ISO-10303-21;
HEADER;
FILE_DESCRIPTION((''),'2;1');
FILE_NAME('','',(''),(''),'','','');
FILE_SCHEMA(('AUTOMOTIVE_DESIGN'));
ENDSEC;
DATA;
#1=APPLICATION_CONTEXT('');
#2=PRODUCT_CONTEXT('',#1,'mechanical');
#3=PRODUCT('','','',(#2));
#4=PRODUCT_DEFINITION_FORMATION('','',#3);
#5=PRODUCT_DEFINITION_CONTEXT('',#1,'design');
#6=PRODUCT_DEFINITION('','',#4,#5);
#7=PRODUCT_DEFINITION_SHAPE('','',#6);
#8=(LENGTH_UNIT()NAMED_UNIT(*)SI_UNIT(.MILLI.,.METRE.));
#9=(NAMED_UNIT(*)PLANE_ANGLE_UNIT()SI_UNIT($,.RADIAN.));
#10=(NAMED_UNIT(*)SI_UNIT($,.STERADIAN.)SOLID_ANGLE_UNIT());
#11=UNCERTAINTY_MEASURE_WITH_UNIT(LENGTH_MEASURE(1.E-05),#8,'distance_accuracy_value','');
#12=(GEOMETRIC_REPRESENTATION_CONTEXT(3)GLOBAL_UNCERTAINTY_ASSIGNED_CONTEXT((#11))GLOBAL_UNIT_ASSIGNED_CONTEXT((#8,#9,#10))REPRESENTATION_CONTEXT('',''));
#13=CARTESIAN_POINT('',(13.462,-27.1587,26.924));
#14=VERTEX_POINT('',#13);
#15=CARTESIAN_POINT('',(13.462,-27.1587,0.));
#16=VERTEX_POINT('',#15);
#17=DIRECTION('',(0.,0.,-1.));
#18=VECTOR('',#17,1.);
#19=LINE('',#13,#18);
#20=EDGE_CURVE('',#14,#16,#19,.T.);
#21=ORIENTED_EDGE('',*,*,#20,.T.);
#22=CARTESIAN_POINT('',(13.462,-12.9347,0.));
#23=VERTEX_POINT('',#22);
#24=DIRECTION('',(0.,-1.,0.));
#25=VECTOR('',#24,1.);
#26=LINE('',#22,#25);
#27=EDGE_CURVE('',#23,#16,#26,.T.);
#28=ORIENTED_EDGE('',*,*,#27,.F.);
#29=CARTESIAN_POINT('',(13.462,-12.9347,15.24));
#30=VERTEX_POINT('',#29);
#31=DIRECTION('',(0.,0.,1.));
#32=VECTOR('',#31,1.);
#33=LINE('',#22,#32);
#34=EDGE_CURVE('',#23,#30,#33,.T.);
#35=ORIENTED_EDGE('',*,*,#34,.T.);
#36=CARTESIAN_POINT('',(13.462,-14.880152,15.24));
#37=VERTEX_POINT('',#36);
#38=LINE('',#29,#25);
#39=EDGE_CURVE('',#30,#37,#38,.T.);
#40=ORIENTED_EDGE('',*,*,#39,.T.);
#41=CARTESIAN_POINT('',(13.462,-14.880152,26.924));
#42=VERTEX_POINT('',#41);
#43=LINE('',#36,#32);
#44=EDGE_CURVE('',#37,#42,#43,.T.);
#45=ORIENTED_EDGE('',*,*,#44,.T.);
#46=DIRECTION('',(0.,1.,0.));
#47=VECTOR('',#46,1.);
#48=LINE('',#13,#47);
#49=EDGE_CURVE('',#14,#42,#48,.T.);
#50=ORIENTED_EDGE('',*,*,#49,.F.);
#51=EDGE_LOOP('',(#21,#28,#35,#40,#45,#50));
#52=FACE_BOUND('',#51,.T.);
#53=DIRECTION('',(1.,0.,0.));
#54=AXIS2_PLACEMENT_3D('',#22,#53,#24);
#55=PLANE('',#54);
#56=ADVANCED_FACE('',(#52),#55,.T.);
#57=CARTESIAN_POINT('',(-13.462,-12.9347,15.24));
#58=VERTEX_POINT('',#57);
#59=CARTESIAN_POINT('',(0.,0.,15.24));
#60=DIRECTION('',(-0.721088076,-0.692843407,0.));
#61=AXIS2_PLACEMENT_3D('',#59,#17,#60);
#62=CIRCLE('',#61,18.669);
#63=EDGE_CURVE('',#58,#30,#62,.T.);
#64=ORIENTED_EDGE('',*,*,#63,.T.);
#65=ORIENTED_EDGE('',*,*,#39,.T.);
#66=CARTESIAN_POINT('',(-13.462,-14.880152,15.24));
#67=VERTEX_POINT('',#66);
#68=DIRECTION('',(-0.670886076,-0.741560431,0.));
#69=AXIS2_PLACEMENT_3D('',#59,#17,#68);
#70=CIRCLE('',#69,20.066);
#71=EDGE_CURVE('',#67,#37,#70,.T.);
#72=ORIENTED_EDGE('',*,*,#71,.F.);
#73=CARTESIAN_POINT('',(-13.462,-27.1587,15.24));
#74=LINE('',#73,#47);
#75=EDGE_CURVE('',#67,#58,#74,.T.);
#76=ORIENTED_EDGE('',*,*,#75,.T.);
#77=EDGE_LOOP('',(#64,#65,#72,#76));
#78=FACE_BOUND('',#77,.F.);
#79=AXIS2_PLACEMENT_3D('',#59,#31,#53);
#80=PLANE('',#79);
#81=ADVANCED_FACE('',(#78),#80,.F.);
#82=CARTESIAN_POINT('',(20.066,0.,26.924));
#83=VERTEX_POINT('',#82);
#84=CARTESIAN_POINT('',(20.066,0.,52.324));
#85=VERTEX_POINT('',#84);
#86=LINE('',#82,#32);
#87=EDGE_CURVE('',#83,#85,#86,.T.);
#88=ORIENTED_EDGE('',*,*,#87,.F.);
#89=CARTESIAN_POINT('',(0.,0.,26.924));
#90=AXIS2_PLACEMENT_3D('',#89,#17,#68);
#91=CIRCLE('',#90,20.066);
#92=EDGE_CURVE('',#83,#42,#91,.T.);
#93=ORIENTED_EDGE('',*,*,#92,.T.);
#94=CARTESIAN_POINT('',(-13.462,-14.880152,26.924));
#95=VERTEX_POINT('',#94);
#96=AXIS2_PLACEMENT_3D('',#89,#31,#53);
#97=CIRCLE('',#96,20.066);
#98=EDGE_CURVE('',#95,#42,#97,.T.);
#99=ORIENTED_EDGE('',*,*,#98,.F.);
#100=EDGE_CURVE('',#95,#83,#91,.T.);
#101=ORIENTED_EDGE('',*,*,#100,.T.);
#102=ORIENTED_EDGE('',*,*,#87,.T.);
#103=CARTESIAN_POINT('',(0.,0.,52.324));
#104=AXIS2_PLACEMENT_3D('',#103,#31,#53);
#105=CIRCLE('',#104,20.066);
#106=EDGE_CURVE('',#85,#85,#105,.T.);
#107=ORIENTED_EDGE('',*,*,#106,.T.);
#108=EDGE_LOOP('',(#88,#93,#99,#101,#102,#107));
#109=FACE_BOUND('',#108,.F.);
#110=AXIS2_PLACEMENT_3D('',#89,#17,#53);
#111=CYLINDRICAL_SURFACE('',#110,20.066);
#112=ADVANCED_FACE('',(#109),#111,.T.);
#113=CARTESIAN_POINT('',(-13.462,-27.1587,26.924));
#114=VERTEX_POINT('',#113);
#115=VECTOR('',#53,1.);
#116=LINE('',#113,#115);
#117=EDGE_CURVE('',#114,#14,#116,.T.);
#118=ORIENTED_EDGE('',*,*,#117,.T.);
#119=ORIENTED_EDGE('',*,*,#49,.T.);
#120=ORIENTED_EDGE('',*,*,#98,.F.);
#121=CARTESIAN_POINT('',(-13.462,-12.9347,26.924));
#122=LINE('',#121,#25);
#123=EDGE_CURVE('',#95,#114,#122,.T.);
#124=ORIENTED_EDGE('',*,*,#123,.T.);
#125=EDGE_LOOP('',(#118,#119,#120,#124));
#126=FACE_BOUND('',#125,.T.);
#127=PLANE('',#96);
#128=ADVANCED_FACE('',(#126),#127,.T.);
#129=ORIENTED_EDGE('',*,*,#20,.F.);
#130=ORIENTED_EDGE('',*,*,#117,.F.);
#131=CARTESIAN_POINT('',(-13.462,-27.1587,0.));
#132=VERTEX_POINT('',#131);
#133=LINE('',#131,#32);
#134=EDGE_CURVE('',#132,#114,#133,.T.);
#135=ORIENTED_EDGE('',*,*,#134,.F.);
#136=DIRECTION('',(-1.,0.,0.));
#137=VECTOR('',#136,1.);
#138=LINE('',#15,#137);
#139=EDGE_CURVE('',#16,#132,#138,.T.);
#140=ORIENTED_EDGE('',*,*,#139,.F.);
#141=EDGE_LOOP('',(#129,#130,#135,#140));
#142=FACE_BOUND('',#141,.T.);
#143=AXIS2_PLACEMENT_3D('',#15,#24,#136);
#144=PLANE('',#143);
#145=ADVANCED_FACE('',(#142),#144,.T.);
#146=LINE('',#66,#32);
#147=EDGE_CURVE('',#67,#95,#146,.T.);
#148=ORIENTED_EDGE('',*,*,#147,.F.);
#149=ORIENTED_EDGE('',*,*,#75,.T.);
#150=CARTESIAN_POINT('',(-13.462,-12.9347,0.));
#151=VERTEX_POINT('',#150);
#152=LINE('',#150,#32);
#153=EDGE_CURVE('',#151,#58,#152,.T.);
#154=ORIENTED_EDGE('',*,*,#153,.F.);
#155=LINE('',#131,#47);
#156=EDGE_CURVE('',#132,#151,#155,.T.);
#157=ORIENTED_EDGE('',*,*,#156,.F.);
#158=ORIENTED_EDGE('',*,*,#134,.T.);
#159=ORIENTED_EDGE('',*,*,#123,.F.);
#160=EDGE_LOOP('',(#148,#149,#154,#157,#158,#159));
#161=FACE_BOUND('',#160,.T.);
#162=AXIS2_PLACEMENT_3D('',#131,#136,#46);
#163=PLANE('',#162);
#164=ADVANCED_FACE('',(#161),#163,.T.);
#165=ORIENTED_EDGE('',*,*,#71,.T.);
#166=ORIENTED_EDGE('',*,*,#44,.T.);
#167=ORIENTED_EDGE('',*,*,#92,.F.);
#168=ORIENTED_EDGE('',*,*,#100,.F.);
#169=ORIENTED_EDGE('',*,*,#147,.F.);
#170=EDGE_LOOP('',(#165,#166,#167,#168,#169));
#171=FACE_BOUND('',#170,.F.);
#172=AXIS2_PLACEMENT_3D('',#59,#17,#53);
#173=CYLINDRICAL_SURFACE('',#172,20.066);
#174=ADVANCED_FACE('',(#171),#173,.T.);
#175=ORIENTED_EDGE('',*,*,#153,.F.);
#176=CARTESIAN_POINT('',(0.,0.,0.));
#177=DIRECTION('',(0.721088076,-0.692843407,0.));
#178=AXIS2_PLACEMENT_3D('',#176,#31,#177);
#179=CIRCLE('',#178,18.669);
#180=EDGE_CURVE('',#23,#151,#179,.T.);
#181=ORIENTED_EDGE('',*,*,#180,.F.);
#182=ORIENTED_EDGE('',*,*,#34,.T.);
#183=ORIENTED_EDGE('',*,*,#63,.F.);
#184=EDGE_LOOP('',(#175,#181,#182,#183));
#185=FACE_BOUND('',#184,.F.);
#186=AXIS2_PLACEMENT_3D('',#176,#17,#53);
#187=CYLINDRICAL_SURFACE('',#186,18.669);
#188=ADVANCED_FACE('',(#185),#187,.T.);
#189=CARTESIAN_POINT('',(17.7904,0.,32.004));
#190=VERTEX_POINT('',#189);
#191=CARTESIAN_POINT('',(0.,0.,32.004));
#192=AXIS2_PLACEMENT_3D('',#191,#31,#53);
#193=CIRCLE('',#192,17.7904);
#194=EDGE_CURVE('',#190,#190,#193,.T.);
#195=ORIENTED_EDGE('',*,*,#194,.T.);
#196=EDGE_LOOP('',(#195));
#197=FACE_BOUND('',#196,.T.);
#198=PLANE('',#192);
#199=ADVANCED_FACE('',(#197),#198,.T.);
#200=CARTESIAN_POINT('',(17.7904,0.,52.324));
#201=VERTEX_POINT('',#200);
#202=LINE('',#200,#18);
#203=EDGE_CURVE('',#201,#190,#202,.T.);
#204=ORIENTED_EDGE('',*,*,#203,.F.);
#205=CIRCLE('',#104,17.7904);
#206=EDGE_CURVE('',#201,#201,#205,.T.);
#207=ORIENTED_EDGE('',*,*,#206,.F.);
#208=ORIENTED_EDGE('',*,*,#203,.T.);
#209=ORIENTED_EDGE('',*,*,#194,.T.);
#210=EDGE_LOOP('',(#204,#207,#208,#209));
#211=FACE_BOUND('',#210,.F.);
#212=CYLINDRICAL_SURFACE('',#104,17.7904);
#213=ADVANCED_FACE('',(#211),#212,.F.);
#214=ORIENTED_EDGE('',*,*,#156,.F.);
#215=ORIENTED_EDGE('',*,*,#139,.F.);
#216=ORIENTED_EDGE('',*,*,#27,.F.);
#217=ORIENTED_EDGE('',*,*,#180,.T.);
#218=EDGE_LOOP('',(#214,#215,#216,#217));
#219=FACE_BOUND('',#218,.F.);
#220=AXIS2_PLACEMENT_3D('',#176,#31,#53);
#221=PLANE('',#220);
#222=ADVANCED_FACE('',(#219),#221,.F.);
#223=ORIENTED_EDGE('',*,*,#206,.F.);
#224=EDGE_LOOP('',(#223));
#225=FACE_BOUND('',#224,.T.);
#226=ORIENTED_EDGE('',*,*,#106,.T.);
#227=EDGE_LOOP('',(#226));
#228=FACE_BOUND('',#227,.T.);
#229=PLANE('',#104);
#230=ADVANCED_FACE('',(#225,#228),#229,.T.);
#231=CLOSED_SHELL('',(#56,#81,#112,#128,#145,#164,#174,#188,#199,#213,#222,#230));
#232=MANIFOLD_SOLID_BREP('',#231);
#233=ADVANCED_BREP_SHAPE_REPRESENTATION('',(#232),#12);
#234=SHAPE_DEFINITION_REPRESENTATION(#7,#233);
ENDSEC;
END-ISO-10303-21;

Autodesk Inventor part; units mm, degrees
ref_plane "YZ Plane" through (0, 0, 0) normal (1, 0, 0) x (0, 1, 0)
ref_plane "XZ Plane" through (0, 0, 0) normal (0, 1, 0) x (-1, 0, 0)
ref_plane "XY Plane" through (0, 0, 0) normal (0, 0, 1) x (1, 0, 0)
ref_plane "Work Plane1" through (0, 0, 0) normal (0, 0, 1) x (1, 0, 0)
sketch "Sketch1" plane through (0, 0, 0) normal (0, 0, 1) x (1, 0, 0)
  circle A0 centre (0, 0) radius 18.669
  line L0 (13.462, -27.1587) -> (-13.462, -27.1587)
  line L1 (-13.462, -27.1587) -> (-13.462, -12.9347)
  line L2 (-13.462, -12.9347) -> (13.462, -12.9347)
  line L3 (13.462, -12.9347) -> (13.462, -27.1587)
  dimension "d0" = 37.338
  dimension "d1" = 26.924
  dimension "d2" = 14.224
extrude "Extrusion1" add sketch "Sketch1" along normal blind 15.24
sketch "Sketch2" plane through (0, 0, 15.24) normal (0, 0, 1) x (1, 0, 0)
  line L0 (-13.462, -12.9347) -> (-13.462, -27.1587) projected
  line L1 (-13.462, -27.1587) -> (13.462, -27.1587) projected
  line L2 (13.462, -27.1587) -> (13.462, -12.9347) projected
  arc A0 (13.462, -12.9347) -> (-13.462, -12.9347) centre (0, 0) ccw projected
  circle A1 centre (0, 0) radius 20.066
  dimension "d5" = 40.132
extrude "Extrusion2" add sketch "Sketch2" along normal blind 11.684
sketch "Sketch3" plane through (0, 0, 26.924) normal (0, 0, 1) x (1, 0, 0)
  circle A0 centre (0, 0) radius 20.066
extrude "Extrusion3" add sketch "Sketch3" along normal blind 25.4
sketch "Sketch4" plane through (0, 0, 52.324) normal (0, 0, 1) x (1, 0, 0)
  circle A0 centre (0, 0) radius 20.066 projected
  circle A1 centre (0, 0) radius 17.7904
extrude "Extrusion4" cut sketch "Sketch4" against normal blind 20.32 contours A1
properties part number "dragonFlyLens" material "ABS Plastic"
